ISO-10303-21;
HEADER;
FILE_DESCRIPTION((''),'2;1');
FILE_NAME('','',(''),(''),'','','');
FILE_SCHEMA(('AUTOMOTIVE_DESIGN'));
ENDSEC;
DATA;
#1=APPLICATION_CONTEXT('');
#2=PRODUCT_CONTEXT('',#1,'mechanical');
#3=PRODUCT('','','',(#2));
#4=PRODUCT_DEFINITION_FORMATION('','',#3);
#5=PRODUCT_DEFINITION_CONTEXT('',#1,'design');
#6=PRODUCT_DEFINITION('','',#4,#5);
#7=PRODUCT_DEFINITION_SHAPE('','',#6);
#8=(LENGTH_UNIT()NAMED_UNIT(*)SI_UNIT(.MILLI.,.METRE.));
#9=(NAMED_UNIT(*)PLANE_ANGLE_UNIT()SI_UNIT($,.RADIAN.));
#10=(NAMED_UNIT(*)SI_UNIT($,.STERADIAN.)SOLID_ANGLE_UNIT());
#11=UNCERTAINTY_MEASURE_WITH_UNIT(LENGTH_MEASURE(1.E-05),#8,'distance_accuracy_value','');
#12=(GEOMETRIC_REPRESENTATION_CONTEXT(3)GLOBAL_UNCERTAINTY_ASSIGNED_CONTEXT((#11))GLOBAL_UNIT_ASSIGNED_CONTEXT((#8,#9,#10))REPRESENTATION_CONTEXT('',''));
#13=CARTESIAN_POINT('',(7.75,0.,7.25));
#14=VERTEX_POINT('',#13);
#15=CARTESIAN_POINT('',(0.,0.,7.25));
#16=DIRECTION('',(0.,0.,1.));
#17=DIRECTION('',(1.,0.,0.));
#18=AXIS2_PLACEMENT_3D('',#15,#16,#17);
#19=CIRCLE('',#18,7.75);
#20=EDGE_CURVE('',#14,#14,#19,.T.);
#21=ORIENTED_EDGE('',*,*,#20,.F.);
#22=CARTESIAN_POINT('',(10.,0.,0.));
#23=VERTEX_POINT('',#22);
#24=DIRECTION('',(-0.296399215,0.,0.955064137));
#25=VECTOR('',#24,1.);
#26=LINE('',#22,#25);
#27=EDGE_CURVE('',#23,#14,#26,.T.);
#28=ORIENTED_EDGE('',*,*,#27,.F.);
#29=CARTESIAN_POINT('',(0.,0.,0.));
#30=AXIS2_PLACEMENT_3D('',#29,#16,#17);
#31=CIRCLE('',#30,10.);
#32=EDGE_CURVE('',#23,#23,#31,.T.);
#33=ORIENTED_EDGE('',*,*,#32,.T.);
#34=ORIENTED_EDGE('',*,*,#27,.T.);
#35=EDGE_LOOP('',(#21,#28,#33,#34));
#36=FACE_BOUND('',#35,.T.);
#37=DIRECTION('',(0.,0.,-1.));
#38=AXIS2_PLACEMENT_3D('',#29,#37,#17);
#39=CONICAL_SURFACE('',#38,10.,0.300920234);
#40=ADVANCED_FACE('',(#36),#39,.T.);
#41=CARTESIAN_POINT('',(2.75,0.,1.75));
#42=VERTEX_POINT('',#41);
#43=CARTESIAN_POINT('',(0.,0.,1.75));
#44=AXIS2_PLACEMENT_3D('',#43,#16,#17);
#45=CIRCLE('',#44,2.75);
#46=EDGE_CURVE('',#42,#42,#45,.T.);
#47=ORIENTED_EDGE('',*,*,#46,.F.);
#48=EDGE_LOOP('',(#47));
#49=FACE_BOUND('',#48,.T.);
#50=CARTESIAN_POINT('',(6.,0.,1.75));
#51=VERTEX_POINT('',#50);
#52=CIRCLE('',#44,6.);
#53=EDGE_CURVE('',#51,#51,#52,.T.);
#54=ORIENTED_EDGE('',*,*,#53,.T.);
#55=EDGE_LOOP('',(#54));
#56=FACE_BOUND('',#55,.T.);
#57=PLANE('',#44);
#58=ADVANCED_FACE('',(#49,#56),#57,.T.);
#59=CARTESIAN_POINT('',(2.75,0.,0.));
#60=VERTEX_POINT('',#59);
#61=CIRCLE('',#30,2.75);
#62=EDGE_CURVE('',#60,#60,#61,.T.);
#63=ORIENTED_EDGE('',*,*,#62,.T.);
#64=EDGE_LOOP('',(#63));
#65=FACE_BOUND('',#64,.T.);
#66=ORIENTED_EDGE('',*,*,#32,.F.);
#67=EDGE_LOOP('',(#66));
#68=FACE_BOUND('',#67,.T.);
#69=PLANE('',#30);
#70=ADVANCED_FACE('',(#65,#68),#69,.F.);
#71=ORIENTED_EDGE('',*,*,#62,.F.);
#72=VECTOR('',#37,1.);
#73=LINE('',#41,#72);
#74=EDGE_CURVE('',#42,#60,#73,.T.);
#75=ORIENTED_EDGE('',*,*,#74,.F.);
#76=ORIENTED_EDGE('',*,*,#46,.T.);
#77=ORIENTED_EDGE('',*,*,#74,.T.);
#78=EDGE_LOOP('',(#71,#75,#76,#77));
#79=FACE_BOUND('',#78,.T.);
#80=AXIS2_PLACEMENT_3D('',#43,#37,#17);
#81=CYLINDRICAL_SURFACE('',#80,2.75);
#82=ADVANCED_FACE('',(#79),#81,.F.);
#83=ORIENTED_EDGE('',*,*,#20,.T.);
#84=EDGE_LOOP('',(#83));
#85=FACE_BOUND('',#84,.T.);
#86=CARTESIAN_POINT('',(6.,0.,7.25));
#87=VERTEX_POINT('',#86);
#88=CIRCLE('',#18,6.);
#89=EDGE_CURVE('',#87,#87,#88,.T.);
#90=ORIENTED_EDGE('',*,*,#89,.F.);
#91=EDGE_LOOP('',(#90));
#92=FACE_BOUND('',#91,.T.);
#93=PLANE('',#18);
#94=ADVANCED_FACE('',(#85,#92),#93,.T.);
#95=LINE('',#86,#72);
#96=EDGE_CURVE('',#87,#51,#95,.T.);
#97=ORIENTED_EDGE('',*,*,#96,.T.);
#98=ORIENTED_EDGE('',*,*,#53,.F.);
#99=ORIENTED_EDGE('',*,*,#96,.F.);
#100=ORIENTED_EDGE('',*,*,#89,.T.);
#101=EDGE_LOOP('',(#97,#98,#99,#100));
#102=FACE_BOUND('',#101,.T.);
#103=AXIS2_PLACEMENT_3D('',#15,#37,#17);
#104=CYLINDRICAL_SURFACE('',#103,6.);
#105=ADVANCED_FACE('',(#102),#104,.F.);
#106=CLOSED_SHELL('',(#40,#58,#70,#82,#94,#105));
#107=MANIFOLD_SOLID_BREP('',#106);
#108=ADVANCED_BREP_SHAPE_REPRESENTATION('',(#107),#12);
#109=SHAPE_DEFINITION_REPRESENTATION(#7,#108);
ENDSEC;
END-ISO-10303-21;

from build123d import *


with BuildPart() as part:
    # Sketch → Revolution (revolve)
    with BuildSketch(Plane.XZ):
        Polygon((6, 7.25), (6, 1.75), (2.75, 1.75), (2.75, 0), (10, 0), (7.75, 7.25), align=None)
    revolve(axis=Axis((0, 0, 0), (0, 0, 1)))


solid = part.part
